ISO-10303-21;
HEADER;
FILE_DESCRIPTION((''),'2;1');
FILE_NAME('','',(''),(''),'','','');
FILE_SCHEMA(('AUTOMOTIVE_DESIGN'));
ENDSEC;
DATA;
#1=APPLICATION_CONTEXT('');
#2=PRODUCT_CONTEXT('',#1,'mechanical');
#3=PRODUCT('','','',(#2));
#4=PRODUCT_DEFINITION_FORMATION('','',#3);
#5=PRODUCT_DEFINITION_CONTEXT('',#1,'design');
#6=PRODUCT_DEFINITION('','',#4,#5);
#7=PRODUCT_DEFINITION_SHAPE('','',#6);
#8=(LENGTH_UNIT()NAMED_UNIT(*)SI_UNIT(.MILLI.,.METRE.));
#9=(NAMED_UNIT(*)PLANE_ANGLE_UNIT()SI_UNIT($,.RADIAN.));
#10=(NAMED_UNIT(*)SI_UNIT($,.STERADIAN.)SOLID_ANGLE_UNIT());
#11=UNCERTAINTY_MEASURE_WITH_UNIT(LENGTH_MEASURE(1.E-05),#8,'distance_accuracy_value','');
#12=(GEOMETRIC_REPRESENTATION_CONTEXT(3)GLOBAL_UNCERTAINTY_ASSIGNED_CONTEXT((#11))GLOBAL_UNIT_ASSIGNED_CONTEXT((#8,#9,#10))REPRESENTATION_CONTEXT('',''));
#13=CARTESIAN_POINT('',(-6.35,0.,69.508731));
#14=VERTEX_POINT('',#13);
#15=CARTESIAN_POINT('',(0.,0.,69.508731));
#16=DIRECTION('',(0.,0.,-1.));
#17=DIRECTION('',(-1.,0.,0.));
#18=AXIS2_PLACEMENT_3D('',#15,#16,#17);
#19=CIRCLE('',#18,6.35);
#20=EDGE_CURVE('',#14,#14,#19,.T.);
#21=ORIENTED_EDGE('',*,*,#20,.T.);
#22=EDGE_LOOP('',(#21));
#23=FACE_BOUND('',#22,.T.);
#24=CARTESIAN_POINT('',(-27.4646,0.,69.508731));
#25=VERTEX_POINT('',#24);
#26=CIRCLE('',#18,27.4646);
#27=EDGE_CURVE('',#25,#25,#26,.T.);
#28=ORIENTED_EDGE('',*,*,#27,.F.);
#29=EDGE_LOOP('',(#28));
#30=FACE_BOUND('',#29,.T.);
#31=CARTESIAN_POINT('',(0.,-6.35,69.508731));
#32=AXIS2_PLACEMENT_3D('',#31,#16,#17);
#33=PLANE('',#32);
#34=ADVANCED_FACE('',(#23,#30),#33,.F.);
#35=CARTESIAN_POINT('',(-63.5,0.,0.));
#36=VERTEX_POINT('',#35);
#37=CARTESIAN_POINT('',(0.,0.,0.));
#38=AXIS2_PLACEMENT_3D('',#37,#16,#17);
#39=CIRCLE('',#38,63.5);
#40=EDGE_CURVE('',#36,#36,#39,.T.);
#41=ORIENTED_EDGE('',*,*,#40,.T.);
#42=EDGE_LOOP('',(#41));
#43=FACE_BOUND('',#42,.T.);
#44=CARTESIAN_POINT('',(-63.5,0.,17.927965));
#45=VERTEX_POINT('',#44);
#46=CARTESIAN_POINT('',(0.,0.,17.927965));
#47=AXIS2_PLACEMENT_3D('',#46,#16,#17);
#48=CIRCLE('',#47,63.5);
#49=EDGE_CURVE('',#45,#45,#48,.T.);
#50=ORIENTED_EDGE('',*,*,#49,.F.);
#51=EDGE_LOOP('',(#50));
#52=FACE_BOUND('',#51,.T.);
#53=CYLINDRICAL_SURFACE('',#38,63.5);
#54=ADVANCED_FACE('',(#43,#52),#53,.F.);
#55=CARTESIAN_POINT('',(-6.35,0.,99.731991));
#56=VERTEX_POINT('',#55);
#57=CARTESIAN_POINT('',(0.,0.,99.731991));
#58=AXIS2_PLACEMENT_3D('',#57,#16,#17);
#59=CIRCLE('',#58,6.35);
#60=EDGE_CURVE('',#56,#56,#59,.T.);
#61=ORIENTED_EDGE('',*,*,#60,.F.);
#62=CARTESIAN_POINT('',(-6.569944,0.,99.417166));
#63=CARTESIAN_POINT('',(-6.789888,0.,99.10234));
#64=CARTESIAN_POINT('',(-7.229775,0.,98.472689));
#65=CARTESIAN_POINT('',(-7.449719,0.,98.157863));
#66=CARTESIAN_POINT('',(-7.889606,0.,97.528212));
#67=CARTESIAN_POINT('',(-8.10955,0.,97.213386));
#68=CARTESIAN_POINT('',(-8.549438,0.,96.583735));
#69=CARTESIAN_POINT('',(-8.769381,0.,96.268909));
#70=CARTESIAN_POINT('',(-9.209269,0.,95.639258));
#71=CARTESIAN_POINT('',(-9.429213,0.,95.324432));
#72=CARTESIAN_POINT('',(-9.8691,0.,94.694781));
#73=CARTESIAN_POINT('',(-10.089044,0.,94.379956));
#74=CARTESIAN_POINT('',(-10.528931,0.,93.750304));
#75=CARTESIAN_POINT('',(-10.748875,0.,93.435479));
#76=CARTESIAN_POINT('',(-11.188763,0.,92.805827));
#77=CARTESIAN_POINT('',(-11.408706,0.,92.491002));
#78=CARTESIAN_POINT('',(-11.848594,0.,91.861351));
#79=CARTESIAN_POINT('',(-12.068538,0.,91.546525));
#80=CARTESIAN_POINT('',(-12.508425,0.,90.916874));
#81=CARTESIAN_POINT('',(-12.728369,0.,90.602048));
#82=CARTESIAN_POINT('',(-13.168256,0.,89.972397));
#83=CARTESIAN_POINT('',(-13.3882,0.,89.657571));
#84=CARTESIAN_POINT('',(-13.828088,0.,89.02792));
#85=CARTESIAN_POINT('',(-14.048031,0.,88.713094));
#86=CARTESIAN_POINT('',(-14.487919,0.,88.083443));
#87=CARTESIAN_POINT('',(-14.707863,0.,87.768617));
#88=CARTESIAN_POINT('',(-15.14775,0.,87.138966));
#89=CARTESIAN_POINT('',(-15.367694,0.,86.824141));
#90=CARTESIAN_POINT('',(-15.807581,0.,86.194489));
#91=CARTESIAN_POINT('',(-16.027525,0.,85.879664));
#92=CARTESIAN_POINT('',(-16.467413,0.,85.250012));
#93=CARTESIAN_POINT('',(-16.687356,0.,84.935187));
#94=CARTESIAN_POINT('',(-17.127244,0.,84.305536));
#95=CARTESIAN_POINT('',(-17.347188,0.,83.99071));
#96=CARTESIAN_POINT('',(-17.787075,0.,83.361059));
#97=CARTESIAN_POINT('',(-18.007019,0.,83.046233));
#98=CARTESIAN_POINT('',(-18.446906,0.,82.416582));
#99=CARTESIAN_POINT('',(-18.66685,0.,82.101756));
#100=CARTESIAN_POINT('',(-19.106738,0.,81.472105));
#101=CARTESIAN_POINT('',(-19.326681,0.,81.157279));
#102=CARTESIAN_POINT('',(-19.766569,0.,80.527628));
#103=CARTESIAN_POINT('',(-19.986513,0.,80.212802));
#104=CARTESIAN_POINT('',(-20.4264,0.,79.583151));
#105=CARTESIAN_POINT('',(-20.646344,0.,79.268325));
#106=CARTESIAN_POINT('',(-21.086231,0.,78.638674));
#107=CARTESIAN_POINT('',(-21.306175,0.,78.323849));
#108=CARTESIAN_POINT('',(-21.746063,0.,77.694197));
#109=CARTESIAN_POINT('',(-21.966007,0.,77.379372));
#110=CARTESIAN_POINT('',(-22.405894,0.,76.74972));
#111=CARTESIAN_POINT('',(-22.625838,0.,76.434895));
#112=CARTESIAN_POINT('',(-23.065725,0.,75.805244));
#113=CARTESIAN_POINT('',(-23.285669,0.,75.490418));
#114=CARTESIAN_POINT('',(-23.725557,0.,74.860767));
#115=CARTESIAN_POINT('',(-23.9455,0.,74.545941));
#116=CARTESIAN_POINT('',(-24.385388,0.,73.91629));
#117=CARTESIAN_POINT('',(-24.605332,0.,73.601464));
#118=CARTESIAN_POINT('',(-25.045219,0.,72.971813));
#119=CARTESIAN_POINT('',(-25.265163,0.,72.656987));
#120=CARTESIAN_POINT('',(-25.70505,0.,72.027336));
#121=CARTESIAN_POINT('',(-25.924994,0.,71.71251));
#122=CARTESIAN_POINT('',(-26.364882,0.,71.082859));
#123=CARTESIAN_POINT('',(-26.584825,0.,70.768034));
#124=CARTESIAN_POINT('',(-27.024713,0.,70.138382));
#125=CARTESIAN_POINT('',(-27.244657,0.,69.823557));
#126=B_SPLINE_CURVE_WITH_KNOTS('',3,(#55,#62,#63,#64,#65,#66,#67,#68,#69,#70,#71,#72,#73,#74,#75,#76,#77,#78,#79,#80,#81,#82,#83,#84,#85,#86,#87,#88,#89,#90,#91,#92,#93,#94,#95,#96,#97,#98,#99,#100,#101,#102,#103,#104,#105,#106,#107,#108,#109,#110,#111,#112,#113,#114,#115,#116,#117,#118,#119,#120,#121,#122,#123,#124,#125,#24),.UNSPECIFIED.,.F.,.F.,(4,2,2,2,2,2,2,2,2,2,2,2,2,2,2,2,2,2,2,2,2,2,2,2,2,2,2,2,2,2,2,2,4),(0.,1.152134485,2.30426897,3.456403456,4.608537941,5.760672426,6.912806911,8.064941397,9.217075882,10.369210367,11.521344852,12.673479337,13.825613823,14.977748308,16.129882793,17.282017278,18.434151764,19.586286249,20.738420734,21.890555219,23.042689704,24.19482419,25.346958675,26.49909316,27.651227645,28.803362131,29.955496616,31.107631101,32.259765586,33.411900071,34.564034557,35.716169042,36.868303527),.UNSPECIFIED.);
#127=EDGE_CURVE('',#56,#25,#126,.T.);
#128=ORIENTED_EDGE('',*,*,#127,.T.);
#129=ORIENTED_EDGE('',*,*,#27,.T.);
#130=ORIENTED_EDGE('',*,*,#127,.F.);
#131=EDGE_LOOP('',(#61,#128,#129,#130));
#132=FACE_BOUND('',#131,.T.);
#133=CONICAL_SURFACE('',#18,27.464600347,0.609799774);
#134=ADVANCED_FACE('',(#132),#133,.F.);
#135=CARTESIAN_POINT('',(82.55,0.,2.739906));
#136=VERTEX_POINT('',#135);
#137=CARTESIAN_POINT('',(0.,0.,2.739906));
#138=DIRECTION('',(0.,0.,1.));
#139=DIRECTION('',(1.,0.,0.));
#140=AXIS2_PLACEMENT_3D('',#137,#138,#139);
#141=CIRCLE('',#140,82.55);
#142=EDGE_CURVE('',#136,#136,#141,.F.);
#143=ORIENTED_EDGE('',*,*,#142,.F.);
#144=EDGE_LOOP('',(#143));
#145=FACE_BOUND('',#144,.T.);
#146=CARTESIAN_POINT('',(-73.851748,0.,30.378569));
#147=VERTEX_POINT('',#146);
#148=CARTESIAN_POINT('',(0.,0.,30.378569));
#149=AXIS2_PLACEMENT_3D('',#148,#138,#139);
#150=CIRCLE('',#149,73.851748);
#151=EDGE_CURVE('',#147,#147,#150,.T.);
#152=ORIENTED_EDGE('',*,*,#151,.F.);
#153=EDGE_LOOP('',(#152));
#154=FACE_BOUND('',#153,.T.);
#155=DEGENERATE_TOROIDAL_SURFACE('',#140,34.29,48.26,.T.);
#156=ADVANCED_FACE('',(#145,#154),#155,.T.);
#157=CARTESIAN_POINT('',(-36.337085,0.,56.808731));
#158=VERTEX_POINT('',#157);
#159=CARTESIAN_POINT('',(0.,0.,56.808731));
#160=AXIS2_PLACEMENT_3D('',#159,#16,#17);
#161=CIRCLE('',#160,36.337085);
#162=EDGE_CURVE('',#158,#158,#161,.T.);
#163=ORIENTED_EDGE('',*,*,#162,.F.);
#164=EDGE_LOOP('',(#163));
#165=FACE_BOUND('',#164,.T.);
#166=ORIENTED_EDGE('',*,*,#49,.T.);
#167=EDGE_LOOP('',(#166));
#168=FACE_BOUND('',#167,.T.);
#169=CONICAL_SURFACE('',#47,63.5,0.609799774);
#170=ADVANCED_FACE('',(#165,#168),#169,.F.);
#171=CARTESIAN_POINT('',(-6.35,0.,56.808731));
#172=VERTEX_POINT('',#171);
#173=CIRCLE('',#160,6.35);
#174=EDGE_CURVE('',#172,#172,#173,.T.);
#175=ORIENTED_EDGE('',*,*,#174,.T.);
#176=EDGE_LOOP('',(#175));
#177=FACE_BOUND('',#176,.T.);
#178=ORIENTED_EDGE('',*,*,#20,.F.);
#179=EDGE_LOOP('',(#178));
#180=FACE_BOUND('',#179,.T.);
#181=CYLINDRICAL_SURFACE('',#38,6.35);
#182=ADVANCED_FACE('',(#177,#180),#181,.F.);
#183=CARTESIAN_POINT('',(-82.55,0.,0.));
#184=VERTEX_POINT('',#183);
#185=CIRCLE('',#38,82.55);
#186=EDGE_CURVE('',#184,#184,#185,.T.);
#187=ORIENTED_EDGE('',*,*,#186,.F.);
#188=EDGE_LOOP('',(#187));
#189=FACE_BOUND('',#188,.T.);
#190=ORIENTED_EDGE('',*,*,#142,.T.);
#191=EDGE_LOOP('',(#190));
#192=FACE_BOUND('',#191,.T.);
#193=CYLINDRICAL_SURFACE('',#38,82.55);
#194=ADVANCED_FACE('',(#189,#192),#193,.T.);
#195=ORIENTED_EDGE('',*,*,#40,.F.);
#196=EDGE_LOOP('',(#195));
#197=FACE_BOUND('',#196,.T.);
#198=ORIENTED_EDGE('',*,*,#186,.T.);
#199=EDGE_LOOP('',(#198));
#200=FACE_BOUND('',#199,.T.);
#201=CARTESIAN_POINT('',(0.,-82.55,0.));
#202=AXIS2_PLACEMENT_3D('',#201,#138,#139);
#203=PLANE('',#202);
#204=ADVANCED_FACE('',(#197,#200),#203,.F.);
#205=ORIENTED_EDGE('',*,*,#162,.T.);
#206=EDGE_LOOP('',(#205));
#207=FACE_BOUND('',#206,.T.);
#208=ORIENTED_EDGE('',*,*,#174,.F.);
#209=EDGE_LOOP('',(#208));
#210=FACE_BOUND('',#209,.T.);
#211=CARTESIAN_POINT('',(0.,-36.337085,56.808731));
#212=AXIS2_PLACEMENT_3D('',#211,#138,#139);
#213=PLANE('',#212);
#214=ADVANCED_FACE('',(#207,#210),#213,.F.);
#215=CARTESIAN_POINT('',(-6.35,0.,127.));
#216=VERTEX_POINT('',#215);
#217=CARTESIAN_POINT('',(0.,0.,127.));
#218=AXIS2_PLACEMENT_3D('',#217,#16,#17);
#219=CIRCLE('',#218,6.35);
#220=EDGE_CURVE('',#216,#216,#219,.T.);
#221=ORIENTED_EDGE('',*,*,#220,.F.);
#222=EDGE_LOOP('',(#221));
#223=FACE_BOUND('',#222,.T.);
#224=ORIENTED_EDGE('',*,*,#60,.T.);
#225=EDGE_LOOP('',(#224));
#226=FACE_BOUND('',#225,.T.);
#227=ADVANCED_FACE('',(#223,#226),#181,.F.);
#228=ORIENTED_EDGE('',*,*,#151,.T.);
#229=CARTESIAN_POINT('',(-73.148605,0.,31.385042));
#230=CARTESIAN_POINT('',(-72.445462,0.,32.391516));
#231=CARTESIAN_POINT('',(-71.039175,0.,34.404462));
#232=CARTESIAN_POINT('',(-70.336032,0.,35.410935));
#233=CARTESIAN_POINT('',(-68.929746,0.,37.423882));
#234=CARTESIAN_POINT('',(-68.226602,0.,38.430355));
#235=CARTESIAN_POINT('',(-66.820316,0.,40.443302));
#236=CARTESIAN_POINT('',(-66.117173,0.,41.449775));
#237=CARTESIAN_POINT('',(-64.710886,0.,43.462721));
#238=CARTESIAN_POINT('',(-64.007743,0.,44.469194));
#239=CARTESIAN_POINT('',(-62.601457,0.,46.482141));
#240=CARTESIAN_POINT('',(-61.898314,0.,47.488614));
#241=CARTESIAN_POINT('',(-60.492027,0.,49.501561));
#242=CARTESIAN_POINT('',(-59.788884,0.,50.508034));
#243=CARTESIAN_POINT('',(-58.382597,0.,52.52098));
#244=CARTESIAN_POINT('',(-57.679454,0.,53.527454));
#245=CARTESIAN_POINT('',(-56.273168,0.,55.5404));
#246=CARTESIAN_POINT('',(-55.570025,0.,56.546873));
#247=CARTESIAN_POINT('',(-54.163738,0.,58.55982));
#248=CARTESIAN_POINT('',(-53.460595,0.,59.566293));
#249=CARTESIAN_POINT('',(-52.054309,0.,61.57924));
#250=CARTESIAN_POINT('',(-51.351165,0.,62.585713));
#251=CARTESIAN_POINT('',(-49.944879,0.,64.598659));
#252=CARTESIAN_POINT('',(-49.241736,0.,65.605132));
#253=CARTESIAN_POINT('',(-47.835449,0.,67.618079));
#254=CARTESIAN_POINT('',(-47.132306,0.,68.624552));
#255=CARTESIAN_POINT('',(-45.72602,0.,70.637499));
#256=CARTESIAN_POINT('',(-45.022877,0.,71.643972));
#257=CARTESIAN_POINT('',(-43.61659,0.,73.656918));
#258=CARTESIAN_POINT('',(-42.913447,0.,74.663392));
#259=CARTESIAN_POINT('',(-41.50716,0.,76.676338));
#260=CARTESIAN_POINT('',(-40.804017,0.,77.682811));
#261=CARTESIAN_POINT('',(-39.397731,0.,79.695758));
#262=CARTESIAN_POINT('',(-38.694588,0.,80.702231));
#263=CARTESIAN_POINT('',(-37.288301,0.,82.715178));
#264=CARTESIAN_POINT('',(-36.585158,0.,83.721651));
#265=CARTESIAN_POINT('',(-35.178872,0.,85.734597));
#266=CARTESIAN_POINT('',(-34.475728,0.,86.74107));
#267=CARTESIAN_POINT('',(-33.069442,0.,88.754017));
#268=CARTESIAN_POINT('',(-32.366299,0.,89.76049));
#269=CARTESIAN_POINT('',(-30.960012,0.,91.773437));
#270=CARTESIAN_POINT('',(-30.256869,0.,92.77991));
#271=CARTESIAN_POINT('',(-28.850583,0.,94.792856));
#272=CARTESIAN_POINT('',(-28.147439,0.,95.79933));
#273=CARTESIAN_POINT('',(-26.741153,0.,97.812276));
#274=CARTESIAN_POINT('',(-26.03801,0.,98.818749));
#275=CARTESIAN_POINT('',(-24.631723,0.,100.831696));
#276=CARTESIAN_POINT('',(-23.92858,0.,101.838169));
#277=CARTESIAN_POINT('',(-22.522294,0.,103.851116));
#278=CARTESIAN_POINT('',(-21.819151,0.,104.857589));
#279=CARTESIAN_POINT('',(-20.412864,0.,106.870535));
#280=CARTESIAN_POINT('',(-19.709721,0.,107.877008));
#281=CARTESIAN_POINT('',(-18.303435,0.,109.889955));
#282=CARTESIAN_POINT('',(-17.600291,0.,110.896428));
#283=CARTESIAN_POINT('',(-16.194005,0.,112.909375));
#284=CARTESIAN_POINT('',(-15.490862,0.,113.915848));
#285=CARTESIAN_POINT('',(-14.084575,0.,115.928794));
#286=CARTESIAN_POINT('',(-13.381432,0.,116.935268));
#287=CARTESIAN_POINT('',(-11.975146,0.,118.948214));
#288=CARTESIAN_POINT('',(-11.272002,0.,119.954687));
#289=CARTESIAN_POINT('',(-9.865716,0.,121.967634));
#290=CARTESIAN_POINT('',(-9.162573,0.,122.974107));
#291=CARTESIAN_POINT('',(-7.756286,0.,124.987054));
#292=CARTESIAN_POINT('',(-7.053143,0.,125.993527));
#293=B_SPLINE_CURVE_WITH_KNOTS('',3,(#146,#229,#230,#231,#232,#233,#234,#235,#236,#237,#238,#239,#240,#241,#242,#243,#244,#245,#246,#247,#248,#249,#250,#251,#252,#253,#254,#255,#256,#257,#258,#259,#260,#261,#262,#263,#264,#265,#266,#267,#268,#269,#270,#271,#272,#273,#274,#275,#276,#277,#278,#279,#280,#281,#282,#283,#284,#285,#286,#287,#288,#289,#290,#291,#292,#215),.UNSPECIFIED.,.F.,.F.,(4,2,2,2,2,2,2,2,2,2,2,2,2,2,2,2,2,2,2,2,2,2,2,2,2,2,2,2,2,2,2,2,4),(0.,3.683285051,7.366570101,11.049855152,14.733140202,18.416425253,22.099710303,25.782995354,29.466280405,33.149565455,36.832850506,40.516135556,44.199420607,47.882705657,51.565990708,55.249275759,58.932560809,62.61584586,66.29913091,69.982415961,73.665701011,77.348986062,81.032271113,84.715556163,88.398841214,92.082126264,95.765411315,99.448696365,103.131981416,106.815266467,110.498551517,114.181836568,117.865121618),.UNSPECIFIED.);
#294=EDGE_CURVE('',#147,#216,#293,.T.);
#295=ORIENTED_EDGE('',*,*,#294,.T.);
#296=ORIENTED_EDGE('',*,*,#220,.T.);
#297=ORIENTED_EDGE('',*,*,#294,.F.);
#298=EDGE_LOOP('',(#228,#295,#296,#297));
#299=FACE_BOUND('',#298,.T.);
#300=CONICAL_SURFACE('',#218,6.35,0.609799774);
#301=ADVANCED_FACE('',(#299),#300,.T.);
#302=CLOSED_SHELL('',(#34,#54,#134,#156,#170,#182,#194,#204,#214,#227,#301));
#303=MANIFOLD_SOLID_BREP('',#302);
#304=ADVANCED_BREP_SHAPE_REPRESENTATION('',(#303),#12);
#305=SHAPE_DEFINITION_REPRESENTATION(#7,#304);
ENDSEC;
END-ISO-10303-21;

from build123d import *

# Parameters (mm, degrees)
FILLET1_R = 48.26


with BuildPart() as part:
    # Sketch2 → Revolve1 (revolve)
    with BuildSketch(Plane.YZ, mode=Mode.PRIVATE) as revolve1_sk:
        Polygon((-63.5, 0), (-63.5, 17.927965037), (-36.337085401, 56.808731059), (-6.35, 56.808731059), (-6.35, 69.508731059), (-27.464600347, 69.508731059), (-6.35, 99.731991259), (-6.35, 127), (-82.55, 17.927965037), (-82.55, 0), align=None)
    revolve(revolve1_sk.sketch.rotate(Axis((0, 0, 0), (0, 0, 1)), 270), axis=Axis((0, 0, 0), (0, 0, 1)))

    # Fillet1
    fillet1_edges = [part.edges().sort_by_distance(p)[0] for p in [
        (82.55, 0, 17.927965037),
    ]]
    fillet(fillet1_edges, radius=FILLET1_R)


solid = part.part
